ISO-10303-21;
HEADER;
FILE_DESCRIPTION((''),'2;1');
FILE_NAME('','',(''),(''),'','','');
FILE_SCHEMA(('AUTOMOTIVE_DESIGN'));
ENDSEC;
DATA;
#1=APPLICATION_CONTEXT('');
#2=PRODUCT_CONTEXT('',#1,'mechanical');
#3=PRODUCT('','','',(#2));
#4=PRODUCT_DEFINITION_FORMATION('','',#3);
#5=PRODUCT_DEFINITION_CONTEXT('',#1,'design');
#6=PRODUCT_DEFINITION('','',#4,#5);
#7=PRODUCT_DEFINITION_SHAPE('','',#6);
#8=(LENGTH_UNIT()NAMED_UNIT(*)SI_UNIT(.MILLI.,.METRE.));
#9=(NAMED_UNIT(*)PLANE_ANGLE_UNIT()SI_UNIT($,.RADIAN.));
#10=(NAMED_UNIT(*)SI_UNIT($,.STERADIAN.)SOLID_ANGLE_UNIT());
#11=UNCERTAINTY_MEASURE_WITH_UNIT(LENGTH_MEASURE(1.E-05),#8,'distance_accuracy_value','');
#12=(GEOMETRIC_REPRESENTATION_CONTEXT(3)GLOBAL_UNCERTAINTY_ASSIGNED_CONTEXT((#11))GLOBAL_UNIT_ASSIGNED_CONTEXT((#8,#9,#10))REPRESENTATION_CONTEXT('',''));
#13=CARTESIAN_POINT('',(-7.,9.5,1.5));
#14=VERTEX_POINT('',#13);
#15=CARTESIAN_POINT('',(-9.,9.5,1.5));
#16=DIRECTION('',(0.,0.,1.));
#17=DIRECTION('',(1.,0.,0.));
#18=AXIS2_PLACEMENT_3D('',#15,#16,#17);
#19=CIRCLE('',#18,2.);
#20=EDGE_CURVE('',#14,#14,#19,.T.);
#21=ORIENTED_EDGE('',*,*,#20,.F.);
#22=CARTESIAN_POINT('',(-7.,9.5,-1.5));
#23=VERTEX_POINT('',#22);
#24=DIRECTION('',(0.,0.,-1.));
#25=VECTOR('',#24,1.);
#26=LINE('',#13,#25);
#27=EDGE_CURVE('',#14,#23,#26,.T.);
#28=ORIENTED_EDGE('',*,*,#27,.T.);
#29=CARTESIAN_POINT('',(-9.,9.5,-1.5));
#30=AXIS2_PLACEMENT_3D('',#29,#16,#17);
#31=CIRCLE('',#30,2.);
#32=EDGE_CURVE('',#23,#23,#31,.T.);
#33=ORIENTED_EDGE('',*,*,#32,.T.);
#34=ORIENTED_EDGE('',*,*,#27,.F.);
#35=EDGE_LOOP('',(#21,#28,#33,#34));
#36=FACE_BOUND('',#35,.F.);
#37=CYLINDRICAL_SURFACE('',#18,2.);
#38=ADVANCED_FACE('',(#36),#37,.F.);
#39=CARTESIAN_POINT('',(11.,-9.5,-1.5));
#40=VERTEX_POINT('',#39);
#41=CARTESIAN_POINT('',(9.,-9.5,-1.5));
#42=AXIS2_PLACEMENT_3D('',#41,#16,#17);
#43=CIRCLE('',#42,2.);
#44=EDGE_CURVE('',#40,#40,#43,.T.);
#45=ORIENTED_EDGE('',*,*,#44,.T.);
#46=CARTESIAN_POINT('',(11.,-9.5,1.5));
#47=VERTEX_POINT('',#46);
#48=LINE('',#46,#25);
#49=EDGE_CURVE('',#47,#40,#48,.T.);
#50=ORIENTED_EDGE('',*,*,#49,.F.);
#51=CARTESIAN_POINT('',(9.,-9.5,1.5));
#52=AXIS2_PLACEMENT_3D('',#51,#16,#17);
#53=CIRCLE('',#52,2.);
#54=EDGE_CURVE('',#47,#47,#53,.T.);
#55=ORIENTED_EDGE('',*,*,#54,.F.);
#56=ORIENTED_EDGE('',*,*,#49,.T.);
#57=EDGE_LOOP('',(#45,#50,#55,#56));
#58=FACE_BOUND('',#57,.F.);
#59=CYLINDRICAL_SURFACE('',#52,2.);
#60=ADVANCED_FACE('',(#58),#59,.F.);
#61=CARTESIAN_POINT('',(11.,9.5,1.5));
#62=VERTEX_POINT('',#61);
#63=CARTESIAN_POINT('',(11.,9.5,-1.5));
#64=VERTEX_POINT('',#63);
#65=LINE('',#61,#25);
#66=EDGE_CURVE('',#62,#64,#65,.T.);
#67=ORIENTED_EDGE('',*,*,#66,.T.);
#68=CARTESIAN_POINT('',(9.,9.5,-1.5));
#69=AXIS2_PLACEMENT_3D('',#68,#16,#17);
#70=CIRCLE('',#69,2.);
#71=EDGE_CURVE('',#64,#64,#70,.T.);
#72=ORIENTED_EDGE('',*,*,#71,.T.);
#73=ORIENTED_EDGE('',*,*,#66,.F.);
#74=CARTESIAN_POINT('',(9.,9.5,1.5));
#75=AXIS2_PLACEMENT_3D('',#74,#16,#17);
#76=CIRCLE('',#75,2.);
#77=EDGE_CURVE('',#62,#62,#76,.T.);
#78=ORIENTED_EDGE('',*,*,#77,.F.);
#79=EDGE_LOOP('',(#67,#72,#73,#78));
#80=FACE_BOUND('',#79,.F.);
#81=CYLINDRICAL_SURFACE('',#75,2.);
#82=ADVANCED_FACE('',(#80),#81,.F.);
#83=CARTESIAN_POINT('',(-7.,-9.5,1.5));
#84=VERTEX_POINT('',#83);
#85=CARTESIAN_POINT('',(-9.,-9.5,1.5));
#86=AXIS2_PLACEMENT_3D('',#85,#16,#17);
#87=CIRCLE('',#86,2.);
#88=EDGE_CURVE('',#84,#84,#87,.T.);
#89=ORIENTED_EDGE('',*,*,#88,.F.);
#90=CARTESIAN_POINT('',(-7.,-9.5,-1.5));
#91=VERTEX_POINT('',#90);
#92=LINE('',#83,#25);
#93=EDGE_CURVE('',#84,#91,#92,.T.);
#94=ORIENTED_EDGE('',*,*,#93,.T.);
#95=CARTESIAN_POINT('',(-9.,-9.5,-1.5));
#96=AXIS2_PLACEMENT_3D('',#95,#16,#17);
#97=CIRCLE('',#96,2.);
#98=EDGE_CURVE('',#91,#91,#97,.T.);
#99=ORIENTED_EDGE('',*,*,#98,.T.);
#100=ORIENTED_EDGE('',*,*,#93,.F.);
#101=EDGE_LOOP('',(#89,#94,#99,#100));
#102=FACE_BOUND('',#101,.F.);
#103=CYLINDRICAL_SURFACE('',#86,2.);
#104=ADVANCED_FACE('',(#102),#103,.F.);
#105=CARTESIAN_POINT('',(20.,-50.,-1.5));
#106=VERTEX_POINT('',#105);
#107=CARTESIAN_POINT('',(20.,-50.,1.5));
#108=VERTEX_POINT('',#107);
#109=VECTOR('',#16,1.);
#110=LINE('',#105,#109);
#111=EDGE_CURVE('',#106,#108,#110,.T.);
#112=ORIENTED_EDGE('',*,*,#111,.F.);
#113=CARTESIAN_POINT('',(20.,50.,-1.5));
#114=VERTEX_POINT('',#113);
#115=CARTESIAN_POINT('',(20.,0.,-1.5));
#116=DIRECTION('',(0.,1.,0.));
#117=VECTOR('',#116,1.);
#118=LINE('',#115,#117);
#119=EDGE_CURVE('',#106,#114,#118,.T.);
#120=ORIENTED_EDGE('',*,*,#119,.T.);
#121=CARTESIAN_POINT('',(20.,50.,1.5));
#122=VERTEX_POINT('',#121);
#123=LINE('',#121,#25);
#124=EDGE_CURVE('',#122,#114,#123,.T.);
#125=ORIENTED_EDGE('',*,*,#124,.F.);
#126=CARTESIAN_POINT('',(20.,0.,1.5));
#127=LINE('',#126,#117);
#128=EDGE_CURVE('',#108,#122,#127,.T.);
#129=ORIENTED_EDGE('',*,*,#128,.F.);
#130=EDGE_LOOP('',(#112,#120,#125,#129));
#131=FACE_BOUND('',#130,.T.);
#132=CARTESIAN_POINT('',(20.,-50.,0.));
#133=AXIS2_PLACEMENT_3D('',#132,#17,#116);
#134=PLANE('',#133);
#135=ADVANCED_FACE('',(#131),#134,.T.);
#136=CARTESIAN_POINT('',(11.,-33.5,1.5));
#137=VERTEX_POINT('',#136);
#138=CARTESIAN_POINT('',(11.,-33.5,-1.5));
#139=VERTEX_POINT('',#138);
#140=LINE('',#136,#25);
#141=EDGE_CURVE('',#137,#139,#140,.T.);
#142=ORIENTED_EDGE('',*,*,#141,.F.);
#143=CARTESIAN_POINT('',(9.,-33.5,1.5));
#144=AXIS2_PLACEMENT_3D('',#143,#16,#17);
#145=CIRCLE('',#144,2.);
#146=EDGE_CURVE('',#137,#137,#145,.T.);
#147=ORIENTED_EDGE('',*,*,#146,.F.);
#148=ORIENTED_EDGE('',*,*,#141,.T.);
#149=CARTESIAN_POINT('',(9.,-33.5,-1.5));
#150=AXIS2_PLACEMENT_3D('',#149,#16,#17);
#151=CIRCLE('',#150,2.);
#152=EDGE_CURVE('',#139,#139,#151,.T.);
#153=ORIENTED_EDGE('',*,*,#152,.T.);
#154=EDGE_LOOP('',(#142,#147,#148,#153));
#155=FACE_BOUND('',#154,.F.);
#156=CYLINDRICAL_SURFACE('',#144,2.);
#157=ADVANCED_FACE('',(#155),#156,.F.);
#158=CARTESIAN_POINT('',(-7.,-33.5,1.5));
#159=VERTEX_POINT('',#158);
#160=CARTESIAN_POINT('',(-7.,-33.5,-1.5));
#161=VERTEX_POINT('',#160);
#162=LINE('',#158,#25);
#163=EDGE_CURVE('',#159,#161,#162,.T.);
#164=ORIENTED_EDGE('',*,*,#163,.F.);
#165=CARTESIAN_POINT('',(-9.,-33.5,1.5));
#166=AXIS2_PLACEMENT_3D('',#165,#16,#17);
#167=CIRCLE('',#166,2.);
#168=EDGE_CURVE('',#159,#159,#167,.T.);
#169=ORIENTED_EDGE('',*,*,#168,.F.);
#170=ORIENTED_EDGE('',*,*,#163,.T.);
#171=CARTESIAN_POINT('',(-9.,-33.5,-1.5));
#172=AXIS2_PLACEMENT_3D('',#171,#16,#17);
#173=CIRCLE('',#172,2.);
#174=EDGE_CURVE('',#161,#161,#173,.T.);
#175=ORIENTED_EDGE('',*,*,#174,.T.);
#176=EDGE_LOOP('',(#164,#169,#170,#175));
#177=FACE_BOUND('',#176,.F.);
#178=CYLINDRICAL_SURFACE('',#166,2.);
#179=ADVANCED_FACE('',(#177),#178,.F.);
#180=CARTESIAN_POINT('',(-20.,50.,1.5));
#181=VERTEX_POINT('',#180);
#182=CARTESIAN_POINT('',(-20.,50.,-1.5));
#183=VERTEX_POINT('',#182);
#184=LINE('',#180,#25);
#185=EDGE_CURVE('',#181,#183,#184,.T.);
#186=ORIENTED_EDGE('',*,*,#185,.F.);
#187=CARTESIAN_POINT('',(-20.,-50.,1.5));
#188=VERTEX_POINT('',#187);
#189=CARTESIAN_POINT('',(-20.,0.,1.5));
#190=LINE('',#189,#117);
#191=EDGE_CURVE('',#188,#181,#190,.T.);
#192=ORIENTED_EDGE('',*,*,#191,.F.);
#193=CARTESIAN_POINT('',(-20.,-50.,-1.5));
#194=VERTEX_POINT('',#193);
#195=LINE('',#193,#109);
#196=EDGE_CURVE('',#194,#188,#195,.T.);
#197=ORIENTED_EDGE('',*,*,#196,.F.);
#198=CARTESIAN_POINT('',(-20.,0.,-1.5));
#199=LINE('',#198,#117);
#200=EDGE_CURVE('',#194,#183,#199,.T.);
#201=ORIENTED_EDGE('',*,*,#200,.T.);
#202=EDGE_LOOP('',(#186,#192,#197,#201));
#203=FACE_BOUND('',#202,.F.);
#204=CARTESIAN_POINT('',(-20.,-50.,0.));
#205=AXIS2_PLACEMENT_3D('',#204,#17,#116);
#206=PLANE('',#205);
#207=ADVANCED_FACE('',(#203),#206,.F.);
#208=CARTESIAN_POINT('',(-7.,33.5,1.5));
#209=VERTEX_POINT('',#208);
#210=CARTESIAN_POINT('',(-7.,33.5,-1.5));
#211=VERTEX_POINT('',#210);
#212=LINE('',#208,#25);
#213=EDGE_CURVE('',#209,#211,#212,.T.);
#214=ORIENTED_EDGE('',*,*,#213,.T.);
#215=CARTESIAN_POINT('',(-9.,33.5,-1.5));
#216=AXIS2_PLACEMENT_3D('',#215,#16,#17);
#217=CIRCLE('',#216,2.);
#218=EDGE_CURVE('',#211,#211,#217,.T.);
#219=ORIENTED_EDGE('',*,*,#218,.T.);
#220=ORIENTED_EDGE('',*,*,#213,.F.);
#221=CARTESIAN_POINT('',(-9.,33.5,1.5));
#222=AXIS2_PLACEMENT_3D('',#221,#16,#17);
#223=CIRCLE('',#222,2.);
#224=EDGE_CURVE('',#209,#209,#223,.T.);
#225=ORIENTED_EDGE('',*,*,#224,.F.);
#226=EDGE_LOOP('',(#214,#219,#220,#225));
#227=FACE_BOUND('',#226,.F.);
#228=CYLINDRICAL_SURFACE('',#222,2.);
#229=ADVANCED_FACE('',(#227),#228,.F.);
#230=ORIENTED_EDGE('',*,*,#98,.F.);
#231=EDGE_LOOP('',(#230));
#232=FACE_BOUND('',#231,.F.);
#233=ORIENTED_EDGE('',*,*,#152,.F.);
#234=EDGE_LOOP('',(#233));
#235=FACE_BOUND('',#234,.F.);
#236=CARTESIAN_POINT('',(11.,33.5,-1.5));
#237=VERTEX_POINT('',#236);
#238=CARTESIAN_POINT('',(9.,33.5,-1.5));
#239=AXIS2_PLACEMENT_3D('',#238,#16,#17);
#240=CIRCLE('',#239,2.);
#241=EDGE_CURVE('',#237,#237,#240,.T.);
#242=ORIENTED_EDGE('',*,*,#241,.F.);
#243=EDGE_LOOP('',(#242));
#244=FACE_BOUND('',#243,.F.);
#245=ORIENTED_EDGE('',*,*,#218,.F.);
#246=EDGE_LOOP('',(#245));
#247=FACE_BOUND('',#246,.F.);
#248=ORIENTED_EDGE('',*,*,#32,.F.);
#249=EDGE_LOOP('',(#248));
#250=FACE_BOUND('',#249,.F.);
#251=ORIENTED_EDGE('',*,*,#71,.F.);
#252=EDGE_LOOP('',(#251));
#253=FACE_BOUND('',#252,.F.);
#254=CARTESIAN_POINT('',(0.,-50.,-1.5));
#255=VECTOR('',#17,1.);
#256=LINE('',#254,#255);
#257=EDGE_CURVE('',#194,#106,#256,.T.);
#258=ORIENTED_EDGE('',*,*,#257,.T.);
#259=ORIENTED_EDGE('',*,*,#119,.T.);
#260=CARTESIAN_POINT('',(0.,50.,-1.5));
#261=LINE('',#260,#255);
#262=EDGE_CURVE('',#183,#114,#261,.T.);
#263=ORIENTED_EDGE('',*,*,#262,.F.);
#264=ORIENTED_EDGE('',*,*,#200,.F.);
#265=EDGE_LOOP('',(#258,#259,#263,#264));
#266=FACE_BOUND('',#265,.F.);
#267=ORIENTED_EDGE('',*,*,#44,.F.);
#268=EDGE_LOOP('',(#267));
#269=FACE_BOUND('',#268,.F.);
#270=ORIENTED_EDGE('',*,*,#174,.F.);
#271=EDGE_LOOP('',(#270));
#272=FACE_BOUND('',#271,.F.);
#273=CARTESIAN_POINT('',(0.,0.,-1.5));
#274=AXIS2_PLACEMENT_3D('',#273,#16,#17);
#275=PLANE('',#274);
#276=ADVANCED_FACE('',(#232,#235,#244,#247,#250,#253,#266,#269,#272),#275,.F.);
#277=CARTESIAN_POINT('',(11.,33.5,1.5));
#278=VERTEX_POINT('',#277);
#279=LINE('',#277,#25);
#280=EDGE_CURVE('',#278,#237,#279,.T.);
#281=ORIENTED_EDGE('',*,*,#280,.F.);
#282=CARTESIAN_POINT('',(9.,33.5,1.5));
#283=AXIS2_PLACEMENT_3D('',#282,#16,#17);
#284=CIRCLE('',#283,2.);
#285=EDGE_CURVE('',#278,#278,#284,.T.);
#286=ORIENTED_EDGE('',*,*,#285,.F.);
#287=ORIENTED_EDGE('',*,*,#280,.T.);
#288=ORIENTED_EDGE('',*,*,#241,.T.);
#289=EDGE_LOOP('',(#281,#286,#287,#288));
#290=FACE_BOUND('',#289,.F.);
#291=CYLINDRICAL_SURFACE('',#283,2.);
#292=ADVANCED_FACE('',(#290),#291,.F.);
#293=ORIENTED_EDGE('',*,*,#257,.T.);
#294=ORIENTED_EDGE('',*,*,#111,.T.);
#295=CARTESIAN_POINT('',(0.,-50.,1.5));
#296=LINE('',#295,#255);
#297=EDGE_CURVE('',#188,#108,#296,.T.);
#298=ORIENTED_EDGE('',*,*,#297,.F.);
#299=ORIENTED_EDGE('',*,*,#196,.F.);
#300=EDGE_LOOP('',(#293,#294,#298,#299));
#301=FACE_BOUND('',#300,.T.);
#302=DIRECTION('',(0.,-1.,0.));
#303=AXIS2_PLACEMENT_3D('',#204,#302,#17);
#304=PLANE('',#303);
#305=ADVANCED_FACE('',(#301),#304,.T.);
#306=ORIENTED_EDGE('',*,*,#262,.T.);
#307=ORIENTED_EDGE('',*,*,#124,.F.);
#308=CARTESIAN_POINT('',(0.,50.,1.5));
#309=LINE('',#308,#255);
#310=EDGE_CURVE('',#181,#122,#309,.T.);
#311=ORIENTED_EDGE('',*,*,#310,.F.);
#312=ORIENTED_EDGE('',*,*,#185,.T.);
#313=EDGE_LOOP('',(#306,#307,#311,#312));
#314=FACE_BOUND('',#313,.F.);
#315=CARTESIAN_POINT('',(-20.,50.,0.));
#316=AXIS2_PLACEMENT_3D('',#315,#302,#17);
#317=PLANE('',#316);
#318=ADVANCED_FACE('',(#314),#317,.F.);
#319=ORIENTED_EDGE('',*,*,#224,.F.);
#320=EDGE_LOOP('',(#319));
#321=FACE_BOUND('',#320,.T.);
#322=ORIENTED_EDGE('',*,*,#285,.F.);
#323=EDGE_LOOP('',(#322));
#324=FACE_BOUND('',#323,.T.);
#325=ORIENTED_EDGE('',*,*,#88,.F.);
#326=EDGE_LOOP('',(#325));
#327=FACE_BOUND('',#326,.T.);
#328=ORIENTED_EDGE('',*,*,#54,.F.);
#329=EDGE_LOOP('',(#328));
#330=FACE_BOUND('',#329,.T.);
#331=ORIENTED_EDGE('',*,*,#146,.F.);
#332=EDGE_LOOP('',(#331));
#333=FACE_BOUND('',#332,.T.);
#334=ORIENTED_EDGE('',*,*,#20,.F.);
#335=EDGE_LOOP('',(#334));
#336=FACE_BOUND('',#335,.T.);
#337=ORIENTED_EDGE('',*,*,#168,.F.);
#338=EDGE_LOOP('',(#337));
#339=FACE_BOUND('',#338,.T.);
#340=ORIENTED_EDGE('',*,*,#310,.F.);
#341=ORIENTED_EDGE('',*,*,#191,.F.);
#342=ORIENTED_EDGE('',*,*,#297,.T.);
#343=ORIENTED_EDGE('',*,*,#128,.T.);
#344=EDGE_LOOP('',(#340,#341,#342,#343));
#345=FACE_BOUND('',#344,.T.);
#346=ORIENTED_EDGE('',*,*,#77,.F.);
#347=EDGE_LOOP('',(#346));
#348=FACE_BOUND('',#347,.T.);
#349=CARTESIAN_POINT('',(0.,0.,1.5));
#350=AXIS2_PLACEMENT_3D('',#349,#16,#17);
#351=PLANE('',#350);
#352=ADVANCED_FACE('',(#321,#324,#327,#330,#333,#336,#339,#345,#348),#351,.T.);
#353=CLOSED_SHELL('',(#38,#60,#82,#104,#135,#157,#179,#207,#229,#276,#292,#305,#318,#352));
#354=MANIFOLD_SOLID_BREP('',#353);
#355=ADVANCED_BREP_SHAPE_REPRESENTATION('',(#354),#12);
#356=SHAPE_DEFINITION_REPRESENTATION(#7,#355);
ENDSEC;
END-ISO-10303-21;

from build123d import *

# Parameters (mm, degrees)
F0_W     = 40
F0_H     = 100
F1_DEPTH = 1.5
F2_R     = 2
F3_DEPTH = 3.001


with BuildPart() as f1:
    # F0 (on Top) → F1 (new body, symmetric)
    with BuildSketch(Plane.XY):
        Rectangle(F0_W, F0_H)
    extrude(amount=F1_DEPTH, both=True)

    # F2 (on face) → F3 (cut, through all)
    with BuildSketch(Plane.XY.offset(1.5)):
        with Locations((-9, 33.5)):
            Circle(F2_R)
        with Locations((9, 33.5)):
            Circle(F2_R)
        with Locations((-9, 9.5)):
            Circle(F2_R)
        with Locations((9, 9.5)):
            Circle(F2_R)
        with Locations((-9, -9.5)):
            Circle(F2_R)
        with Locations((9, -9.5)):
            Circle(F2_R)
        with Locations((-9, -33.5)):
            Circle(F2_R)
        with Locations((9, -33.5)):
            Circle(F2_R)
    extrude(amount=-F3_DEPTH, mode=Mode.SUBTRACT)


solid = f1.part
